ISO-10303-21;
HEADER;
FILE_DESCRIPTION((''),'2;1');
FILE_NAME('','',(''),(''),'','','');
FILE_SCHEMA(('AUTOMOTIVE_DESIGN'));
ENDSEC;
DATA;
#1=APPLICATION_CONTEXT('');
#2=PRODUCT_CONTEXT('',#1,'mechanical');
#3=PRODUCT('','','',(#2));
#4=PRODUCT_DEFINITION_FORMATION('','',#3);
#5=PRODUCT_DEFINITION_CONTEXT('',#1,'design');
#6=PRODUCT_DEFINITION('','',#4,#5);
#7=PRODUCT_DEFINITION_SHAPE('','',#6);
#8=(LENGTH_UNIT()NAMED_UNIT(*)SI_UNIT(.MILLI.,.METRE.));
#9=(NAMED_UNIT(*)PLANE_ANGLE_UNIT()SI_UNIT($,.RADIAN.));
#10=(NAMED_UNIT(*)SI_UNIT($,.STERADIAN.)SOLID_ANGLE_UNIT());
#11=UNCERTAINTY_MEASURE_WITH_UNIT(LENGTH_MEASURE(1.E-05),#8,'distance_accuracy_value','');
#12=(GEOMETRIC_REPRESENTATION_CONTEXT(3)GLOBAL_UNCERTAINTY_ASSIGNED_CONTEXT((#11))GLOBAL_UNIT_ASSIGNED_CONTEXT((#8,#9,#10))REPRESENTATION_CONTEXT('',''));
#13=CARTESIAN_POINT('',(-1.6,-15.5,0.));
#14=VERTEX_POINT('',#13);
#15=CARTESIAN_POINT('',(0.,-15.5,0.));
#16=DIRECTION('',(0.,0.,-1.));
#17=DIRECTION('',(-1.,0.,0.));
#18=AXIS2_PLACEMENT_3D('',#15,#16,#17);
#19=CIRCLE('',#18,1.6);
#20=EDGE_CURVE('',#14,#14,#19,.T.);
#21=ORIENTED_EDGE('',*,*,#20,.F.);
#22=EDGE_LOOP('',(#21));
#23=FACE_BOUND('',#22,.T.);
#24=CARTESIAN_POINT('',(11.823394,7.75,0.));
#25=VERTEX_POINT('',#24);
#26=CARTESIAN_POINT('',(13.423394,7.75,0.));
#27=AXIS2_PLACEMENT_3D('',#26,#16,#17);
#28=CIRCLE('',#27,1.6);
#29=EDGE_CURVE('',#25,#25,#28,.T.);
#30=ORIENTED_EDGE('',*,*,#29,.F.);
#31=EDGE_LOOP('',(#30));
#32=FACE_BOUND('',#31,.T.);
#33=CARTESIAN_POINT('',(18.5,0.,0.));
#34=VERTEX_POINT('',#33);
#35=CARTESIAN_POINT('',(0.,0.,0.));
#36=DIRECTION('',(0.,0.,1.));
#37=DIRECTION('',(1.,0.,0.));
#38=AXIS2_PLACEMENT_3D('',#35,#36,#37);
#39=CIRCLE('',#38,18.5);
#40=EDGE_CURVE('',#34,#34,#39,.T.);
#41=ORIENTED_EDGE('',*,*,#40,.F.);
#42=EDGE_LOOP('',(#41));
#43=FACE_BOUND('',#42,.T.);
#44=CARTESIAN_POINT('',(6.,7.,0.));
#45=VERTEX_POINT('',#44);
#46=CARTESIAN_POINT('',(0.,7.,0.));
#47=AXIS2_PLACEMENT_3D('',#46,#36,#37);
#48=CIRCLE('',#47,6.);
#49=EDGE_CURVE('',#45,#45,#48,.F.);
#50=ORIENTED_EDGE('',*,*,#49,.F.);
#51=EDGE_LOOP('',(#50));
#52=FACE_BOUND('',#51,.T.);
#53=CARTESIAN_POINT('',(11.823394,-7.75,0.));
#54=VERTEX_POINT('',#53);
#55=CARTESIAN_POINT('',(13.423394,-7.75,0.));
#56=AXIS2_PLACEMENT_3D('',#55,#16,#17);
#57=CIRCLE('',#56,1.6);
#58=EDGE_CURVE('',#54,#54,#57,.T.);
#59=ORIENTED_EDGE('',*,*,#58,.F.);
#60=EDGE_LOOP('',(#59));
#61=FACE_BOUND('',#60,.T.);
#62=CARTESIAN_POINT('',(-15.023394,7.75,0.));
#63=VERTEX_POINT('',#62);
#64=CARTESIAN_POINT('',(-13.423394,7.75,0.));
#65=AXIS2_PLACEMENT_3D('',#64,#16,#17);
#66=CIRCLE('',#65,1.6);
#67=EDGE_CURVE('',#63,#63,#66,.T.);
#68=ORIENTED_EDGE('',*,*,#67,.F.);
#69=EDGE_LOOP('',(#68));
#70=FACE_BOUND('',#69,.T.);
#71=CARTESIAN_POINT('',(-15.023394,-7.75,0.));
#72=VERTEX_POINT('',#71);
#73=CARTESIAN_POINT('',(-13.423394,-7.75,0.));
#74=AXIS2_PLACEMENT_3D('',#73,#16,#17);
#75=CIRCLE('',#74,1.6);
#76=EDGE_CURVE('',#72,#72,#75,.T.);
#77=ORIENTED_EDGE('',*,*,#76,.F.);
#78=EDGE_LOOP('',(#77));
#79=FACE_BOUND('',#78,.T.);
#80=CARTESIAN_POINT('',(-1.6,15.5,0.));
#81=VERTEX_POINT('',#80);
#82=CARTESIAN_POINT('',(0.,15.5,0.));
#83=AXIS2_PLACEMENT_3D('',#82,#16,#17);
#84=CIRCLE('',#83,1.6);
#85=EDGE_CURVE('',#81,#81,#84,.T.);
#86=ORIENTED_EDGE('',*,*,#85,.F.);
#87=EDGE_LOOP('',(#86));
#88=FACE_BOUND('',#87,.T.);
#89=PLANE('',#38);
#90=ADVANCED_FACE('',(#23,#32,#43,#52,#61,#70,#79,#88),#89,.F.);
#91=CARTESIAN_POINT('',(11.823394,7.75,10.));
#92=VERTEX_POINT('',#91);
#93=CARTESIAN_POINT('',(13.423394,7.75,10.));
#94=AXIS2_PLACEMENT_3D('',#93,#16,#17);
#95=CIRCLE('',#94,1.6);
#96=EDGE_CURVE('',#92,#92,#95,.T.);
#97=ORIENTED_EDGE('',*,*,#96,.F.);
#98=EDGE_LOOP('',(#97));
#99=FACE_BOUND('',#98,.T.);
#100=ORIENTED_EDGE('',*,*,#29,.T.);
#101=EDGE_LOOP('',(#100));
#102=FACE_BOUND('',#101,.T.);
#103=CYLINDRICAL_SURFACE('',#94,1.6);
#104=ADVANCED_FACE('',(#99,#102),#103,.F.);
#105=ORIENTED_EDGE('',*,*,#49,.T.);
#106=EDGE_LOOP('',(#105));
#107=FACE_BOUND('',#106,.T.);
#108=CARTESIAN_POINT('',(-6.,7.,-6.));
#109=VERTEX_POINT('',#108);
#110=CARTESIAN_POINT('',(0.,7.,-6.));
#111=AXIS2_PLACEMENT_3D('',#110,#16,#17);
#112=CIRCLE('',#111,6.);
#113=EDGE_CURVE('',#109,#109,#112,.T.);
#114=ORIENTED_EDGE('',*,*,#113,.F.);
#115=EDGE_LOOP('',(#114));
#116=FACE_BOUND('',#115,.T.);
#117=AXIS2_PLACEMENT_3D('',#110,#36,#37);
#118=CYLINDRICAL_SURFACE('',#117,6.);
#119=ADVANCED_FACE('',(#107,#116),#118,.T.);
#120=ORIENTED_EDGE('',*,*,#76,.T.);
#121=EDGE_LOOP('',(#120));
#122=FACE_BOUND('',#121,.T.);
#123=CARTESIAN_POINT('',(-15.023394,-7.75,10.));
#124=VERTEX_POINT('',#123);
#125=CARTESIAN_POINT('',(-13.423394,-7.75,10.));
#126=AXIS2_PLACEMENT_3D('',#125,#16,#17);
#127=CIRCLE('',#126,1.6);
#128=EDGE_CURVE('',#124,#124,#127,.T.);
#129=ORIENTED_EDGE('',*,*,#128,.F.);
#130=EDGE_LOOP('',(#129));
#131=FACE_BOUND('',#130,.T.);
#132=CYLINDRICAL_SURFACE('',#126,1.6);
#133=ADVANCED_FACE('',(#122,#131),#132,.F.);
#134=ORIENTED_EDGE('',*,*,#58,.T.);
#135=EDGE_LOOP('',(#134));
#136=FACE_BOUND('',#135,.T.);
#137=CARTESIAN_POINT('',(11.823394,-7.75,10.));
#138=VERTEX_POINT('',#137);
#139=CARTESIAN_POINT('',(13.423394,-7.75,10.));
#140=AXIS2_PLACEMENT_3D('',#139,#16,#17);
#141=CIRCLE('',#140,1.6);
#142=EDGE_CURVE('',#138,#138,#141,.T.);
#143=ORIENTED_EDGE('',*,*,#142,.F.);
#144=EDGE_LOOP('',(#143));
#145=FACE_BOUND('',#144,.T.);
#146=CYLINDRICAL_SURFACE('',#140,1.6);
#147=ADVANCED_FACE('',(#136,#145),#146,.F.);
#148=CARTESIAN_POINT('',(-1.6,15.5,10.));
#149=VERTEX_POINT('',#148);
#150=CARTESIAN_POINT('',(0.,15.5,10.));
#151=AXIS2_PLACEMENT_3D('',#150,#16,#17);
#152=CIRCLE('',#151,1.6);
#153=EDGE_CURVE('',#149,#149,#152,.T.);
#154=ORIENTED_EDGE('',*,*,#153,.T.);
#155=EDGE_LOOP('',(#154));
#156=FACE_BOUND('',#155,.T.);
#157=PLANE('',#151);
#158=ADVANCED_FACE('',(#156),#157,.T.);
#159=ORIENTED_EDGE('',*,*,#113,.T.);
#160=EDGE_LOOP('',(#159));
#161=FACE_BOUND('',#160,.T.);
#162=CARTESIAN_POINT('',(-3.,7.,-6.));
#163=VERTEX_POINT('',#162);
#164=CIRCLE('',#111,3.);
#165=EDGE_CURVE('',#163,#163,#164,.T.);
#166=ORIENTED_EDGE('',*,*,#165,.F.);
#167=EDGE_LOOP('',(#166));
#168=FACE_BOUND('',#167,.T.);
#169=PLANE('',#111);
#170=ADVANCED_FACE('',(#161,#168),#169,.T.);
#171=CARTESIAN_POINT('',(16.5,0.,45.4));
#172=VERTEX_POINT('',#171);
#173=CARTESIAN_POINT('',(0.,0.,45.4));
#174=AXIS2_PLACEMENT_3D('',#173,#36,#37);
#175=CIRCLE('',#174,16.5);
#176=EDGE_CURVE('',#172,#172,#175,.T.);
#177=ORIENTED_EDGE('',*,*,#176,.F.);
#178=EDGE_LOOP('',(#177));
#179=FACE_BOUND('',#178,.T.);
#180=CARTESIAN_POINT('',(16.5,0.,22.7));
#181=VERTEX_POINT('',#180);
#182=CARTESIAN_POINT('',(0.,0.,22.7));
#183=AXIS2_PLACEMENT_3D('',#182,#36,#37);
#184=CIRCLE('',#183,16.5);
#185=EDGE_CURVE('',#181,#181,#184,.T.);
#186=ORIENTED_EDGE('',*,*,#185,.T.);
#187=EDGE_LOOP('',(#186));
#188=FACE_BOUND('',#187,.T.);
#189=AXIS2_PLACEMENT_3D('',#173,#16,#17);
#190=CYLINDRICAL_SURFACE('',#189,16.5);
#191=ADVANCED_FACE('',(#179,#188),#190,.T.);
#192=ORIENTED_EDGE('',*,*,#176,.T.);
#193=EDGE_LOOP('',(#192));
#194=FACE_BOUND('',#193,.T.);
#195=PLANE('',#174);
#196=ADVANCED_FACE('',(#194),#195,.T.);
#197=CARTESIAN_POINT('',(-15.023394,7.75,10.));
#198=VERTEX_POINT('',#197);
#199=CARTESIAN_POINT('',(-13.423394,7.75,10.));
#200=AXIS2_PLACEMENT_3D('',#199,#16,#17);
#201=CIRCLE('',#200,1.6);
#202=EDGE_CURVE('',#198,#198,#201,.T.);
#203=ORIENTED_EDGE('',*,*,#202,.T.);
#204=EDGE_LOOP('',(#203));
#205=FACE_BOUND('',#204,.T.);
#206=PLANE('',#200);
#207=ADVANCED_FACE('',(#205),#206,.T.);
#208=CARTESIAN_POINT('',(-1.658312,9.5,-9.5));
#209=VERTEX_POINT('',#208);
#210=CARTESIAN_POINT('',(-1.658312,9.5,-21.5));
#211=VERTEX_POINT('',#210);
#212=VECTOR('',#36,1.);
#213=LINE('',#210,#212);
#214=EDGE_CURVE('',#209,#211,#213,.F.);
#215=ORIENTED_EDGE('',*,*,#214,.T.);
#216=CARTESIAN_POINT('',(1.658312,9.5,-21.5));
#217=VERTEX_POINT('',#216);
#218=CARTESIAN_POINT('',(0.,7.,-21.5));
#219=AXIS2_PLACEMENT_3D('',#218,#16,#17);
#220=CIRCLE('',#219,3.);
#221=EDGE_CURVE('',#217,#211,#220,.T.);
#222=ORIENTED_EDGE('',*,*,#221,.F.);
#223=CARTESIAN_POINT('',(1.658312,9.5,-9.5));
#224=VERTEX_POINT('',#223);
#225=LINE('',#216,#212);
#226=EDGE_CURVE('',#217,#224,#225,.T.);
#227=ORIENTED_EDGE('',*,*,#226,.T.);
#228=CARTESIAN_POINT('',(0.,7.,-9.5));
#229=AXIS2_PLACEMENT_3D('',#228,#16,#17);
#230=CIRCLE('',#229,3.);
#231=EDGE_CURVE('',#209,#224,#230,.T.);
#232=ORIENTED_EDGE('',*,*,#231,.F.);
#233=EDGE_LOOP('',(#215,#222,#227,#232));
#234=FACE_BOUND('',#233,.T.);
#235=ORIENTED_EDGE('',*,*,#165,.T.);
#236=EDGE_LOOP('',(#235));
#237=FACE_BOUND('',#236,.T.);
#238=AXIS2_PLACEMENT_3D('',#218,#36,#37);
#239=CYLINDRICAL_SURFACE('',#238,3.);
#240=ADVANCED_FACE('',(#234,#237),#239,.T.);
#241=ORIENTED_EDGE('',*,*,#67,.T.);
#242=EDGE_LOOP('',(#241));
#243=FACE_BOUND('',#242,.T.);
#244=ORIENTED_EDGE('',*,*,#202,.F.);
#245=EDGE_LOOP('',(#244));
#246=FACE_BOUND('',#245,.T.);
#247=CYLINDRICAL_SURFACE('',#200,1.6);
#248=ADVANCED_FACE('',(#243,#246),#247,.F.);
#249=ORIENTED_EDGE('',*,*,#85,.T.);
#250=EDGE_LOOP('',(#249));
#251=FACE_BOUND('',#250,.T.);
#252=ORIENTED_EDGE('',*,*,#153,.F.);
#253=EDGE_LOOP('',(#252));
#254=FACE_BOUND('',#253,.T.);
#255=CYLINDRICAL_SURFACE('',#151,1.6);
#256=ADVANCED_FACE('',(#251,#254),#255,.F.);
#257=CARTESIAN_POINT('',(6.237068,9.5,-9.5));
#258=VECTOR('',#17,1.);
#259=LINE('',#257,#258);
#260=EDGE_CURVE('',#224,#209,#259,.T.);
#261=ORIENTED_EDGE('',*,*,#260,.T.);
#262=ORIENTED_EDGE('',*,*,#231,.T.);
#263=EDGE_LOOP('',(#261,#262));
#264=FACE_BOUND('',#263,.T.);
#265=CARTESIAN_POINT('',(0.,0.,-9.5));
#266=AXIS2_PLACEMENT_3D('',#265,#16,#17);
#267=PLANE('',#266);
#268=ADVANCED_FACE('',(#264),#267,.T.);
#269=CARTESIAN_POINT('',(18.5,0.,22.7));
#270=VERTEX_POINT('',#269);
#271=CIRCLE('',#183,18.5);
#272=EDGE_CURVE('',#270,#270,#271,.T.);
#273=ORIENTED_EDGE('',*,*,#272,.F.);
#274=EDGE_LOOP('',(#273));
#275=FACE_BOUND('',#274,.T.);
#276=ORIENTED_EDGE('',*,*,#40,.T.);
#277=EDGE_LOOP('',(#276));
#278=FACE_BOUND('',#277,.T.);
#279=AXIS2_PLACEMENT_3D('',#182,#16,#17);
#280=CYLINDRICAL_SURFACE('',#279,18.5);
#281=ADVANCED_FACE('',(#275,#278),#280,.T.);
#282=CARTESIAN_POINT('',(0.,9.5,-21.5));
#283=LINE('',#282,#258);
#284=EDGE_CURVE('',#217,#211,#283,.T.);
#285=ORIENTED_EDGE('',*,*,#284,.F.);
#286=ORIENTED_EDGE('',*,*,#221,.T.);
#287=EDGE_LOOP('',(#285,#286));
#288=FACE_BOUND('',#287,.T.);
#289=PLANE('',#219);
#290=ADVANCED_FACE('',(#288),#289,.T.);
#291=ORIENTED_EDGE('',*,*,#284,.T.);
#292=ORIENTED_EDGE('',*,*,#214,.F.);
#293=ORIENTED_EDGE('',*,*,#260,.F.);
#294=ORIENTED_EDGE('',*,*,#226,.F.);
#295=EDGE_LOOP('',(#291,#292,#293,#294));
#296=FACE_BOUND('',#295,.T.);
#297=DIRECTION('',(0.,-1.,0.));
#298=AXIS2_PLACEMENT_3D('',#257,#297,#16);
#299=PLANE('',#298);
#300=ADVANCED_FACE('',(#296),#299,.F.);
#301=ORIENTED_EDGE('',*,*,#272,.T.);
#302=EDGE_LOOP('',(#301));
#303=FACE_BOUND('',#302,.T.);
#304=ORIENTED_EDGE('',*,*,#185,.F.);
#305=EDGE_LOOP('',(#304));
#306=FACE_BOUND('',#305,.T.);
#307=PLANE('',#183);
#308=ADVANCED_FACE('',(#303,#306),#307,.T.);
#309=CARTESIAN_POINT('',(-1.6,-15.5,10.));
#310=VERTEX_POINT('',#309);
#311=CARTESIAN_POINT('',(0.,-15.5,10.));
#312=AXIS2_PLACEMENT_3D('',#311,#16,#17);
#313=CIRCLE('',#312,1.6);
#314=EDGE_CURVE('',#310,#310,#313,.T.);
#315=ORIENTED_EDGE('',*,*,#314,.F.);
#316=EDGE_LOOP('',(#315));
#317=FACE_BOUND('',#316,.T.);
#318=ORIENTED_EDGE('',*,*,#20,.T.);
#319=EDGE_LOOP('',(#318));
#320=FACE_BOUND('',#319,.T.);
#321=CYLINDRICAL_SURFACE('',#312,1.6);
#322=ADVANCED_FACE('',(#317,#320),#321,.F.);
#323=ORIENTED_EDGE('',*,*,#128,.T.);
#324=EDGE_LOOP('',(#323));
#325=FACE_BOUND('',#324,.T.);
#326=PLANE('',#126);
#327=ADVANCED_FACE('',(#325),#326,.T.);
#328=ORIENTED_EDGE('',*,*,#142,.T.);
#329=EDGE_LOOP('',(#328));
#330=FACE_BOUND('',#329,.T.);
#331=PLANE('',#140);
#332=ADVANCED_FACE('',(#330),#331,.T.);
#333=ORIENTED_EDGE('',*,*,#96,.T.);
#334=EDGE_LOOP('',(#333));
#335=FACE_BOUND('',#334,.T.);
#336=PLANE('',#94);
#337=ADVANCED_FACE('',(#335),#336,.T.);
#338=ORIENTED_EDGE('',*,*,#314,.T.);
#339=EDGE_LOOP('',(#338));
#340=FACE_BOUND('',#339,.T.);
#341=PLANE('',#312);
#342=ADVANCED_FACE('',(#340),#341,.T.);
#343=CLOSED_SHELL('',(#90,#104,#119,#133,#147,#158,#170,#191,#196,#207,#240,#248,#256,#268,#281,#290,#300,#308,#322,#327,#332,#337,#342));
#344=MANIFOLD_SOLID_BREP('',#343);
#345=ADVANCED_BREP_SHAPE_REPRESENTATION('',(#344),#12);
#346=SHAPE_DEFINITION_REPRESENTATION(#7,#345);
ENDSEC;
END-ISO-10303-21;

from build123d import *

# Parameters (mm, degrees)
SKETCH_1_R          = 18.5
EXTRUDE_1_DEPTH     = 22.7
SKETCH_2_R          = 16.5
EXTRUDE_2_DEPTH     = 22.7
SKETCH_3_R          = 6
EXTRUDE_3_DEPTH     = 6
SKETCH_4_R          = 3
EXTRUDE_4_DEPTH     = 15.5
SKETCH_5_W          = 14.350775589
SKETCH_5_H          = 3.642889188
CUT_EXTRUDE_1_DEPTH = 12
SKETCH_6_R          = 1.6
CUT_EXTRUDE_2_DEPTH = 10


with BuildPart() as part:
    # 草图1 → 凸台-拉伸1 (new body)
    with BuildSketch(Plane.XY):
        Circle(SKETCH_1_R)
    extrude(amount=EXTRUDE_1_DEPTH)

    # 草图2 → 凸台-拉伸2 (add)
    with BuildSketch(Plane.XY.offset(22.7)):
        Circle(SKETCH_2_R)
    extrude(amount=EXTRUDE_2_DEPTH)

    # 草图3 → 凸台-拉伸3 (add)
    with BuildSketch(Plane(origin=(0, 0, 0), x_dir=(-1, 0, 0), z_dir=(0, 0, -1))):
        with Locations(Location((0, 7, 0), (0, 0, 180))):
            Circle(SKETCH_3_R)
    extrude(amount=EXTRUDE_3_DEPTH)

    # 草图4 → 凸台-拉伸4 (add)
    with BuildSketch(Plane(origin=(0, 0, -6), x_dir=(-1, 0, 0), z_dir=(0, 0, -1))):
        with Locations((0, 7)):
            Circle(SKETCH_4_R)
    extrude(amount=EXTRUDE_4_DEPTH)

    # 草图5 → 切除-拉伸1 (cut)
    with BuildSketch(Plane(origin=(0, 0, -21.5), x_dir=(-1, 0, 0), z_dir=(0, 0, -1))):
        with Locations((0.938319943, 11.321444594)):
            Rectangle(SKETCH_5_W, SKETCH_5_H)
    extrude(amount=-CUT_EXTRUDE_1_DEPTH, mode=Mode.SUBTRACT)

    # 草图6 → 切除-拉伸2 (cut)
    with BuildSketch(Plane(origin=(0, 0, 0), x_dir=(-1, 0, 0), z_dir=(0, 0, -1))):
        with Locations((0, 15.5)):
            Circle(SKETCH_6_R)
        with Locations((13.423393759, 7.75)):
            Circle(SKETCH_6_R)
        with Locations((13.423393759, -7.75)):
            Circle(SKETCH_6_R)
        with Locations((0, -15.5)):
            Circle(SKETCH_6_R)
        with Locations((-13.423393759, -7.75)):
            Circle(SKETCH_6_R)
        with Locations((-13.423393759, 7.75)):
            Circle(SKETCH_6_R)
    extrude(amount=-CUT_EXTRUDE_2_DEPTH, mode=Mode.SUBTRACT)


solid = part.part
